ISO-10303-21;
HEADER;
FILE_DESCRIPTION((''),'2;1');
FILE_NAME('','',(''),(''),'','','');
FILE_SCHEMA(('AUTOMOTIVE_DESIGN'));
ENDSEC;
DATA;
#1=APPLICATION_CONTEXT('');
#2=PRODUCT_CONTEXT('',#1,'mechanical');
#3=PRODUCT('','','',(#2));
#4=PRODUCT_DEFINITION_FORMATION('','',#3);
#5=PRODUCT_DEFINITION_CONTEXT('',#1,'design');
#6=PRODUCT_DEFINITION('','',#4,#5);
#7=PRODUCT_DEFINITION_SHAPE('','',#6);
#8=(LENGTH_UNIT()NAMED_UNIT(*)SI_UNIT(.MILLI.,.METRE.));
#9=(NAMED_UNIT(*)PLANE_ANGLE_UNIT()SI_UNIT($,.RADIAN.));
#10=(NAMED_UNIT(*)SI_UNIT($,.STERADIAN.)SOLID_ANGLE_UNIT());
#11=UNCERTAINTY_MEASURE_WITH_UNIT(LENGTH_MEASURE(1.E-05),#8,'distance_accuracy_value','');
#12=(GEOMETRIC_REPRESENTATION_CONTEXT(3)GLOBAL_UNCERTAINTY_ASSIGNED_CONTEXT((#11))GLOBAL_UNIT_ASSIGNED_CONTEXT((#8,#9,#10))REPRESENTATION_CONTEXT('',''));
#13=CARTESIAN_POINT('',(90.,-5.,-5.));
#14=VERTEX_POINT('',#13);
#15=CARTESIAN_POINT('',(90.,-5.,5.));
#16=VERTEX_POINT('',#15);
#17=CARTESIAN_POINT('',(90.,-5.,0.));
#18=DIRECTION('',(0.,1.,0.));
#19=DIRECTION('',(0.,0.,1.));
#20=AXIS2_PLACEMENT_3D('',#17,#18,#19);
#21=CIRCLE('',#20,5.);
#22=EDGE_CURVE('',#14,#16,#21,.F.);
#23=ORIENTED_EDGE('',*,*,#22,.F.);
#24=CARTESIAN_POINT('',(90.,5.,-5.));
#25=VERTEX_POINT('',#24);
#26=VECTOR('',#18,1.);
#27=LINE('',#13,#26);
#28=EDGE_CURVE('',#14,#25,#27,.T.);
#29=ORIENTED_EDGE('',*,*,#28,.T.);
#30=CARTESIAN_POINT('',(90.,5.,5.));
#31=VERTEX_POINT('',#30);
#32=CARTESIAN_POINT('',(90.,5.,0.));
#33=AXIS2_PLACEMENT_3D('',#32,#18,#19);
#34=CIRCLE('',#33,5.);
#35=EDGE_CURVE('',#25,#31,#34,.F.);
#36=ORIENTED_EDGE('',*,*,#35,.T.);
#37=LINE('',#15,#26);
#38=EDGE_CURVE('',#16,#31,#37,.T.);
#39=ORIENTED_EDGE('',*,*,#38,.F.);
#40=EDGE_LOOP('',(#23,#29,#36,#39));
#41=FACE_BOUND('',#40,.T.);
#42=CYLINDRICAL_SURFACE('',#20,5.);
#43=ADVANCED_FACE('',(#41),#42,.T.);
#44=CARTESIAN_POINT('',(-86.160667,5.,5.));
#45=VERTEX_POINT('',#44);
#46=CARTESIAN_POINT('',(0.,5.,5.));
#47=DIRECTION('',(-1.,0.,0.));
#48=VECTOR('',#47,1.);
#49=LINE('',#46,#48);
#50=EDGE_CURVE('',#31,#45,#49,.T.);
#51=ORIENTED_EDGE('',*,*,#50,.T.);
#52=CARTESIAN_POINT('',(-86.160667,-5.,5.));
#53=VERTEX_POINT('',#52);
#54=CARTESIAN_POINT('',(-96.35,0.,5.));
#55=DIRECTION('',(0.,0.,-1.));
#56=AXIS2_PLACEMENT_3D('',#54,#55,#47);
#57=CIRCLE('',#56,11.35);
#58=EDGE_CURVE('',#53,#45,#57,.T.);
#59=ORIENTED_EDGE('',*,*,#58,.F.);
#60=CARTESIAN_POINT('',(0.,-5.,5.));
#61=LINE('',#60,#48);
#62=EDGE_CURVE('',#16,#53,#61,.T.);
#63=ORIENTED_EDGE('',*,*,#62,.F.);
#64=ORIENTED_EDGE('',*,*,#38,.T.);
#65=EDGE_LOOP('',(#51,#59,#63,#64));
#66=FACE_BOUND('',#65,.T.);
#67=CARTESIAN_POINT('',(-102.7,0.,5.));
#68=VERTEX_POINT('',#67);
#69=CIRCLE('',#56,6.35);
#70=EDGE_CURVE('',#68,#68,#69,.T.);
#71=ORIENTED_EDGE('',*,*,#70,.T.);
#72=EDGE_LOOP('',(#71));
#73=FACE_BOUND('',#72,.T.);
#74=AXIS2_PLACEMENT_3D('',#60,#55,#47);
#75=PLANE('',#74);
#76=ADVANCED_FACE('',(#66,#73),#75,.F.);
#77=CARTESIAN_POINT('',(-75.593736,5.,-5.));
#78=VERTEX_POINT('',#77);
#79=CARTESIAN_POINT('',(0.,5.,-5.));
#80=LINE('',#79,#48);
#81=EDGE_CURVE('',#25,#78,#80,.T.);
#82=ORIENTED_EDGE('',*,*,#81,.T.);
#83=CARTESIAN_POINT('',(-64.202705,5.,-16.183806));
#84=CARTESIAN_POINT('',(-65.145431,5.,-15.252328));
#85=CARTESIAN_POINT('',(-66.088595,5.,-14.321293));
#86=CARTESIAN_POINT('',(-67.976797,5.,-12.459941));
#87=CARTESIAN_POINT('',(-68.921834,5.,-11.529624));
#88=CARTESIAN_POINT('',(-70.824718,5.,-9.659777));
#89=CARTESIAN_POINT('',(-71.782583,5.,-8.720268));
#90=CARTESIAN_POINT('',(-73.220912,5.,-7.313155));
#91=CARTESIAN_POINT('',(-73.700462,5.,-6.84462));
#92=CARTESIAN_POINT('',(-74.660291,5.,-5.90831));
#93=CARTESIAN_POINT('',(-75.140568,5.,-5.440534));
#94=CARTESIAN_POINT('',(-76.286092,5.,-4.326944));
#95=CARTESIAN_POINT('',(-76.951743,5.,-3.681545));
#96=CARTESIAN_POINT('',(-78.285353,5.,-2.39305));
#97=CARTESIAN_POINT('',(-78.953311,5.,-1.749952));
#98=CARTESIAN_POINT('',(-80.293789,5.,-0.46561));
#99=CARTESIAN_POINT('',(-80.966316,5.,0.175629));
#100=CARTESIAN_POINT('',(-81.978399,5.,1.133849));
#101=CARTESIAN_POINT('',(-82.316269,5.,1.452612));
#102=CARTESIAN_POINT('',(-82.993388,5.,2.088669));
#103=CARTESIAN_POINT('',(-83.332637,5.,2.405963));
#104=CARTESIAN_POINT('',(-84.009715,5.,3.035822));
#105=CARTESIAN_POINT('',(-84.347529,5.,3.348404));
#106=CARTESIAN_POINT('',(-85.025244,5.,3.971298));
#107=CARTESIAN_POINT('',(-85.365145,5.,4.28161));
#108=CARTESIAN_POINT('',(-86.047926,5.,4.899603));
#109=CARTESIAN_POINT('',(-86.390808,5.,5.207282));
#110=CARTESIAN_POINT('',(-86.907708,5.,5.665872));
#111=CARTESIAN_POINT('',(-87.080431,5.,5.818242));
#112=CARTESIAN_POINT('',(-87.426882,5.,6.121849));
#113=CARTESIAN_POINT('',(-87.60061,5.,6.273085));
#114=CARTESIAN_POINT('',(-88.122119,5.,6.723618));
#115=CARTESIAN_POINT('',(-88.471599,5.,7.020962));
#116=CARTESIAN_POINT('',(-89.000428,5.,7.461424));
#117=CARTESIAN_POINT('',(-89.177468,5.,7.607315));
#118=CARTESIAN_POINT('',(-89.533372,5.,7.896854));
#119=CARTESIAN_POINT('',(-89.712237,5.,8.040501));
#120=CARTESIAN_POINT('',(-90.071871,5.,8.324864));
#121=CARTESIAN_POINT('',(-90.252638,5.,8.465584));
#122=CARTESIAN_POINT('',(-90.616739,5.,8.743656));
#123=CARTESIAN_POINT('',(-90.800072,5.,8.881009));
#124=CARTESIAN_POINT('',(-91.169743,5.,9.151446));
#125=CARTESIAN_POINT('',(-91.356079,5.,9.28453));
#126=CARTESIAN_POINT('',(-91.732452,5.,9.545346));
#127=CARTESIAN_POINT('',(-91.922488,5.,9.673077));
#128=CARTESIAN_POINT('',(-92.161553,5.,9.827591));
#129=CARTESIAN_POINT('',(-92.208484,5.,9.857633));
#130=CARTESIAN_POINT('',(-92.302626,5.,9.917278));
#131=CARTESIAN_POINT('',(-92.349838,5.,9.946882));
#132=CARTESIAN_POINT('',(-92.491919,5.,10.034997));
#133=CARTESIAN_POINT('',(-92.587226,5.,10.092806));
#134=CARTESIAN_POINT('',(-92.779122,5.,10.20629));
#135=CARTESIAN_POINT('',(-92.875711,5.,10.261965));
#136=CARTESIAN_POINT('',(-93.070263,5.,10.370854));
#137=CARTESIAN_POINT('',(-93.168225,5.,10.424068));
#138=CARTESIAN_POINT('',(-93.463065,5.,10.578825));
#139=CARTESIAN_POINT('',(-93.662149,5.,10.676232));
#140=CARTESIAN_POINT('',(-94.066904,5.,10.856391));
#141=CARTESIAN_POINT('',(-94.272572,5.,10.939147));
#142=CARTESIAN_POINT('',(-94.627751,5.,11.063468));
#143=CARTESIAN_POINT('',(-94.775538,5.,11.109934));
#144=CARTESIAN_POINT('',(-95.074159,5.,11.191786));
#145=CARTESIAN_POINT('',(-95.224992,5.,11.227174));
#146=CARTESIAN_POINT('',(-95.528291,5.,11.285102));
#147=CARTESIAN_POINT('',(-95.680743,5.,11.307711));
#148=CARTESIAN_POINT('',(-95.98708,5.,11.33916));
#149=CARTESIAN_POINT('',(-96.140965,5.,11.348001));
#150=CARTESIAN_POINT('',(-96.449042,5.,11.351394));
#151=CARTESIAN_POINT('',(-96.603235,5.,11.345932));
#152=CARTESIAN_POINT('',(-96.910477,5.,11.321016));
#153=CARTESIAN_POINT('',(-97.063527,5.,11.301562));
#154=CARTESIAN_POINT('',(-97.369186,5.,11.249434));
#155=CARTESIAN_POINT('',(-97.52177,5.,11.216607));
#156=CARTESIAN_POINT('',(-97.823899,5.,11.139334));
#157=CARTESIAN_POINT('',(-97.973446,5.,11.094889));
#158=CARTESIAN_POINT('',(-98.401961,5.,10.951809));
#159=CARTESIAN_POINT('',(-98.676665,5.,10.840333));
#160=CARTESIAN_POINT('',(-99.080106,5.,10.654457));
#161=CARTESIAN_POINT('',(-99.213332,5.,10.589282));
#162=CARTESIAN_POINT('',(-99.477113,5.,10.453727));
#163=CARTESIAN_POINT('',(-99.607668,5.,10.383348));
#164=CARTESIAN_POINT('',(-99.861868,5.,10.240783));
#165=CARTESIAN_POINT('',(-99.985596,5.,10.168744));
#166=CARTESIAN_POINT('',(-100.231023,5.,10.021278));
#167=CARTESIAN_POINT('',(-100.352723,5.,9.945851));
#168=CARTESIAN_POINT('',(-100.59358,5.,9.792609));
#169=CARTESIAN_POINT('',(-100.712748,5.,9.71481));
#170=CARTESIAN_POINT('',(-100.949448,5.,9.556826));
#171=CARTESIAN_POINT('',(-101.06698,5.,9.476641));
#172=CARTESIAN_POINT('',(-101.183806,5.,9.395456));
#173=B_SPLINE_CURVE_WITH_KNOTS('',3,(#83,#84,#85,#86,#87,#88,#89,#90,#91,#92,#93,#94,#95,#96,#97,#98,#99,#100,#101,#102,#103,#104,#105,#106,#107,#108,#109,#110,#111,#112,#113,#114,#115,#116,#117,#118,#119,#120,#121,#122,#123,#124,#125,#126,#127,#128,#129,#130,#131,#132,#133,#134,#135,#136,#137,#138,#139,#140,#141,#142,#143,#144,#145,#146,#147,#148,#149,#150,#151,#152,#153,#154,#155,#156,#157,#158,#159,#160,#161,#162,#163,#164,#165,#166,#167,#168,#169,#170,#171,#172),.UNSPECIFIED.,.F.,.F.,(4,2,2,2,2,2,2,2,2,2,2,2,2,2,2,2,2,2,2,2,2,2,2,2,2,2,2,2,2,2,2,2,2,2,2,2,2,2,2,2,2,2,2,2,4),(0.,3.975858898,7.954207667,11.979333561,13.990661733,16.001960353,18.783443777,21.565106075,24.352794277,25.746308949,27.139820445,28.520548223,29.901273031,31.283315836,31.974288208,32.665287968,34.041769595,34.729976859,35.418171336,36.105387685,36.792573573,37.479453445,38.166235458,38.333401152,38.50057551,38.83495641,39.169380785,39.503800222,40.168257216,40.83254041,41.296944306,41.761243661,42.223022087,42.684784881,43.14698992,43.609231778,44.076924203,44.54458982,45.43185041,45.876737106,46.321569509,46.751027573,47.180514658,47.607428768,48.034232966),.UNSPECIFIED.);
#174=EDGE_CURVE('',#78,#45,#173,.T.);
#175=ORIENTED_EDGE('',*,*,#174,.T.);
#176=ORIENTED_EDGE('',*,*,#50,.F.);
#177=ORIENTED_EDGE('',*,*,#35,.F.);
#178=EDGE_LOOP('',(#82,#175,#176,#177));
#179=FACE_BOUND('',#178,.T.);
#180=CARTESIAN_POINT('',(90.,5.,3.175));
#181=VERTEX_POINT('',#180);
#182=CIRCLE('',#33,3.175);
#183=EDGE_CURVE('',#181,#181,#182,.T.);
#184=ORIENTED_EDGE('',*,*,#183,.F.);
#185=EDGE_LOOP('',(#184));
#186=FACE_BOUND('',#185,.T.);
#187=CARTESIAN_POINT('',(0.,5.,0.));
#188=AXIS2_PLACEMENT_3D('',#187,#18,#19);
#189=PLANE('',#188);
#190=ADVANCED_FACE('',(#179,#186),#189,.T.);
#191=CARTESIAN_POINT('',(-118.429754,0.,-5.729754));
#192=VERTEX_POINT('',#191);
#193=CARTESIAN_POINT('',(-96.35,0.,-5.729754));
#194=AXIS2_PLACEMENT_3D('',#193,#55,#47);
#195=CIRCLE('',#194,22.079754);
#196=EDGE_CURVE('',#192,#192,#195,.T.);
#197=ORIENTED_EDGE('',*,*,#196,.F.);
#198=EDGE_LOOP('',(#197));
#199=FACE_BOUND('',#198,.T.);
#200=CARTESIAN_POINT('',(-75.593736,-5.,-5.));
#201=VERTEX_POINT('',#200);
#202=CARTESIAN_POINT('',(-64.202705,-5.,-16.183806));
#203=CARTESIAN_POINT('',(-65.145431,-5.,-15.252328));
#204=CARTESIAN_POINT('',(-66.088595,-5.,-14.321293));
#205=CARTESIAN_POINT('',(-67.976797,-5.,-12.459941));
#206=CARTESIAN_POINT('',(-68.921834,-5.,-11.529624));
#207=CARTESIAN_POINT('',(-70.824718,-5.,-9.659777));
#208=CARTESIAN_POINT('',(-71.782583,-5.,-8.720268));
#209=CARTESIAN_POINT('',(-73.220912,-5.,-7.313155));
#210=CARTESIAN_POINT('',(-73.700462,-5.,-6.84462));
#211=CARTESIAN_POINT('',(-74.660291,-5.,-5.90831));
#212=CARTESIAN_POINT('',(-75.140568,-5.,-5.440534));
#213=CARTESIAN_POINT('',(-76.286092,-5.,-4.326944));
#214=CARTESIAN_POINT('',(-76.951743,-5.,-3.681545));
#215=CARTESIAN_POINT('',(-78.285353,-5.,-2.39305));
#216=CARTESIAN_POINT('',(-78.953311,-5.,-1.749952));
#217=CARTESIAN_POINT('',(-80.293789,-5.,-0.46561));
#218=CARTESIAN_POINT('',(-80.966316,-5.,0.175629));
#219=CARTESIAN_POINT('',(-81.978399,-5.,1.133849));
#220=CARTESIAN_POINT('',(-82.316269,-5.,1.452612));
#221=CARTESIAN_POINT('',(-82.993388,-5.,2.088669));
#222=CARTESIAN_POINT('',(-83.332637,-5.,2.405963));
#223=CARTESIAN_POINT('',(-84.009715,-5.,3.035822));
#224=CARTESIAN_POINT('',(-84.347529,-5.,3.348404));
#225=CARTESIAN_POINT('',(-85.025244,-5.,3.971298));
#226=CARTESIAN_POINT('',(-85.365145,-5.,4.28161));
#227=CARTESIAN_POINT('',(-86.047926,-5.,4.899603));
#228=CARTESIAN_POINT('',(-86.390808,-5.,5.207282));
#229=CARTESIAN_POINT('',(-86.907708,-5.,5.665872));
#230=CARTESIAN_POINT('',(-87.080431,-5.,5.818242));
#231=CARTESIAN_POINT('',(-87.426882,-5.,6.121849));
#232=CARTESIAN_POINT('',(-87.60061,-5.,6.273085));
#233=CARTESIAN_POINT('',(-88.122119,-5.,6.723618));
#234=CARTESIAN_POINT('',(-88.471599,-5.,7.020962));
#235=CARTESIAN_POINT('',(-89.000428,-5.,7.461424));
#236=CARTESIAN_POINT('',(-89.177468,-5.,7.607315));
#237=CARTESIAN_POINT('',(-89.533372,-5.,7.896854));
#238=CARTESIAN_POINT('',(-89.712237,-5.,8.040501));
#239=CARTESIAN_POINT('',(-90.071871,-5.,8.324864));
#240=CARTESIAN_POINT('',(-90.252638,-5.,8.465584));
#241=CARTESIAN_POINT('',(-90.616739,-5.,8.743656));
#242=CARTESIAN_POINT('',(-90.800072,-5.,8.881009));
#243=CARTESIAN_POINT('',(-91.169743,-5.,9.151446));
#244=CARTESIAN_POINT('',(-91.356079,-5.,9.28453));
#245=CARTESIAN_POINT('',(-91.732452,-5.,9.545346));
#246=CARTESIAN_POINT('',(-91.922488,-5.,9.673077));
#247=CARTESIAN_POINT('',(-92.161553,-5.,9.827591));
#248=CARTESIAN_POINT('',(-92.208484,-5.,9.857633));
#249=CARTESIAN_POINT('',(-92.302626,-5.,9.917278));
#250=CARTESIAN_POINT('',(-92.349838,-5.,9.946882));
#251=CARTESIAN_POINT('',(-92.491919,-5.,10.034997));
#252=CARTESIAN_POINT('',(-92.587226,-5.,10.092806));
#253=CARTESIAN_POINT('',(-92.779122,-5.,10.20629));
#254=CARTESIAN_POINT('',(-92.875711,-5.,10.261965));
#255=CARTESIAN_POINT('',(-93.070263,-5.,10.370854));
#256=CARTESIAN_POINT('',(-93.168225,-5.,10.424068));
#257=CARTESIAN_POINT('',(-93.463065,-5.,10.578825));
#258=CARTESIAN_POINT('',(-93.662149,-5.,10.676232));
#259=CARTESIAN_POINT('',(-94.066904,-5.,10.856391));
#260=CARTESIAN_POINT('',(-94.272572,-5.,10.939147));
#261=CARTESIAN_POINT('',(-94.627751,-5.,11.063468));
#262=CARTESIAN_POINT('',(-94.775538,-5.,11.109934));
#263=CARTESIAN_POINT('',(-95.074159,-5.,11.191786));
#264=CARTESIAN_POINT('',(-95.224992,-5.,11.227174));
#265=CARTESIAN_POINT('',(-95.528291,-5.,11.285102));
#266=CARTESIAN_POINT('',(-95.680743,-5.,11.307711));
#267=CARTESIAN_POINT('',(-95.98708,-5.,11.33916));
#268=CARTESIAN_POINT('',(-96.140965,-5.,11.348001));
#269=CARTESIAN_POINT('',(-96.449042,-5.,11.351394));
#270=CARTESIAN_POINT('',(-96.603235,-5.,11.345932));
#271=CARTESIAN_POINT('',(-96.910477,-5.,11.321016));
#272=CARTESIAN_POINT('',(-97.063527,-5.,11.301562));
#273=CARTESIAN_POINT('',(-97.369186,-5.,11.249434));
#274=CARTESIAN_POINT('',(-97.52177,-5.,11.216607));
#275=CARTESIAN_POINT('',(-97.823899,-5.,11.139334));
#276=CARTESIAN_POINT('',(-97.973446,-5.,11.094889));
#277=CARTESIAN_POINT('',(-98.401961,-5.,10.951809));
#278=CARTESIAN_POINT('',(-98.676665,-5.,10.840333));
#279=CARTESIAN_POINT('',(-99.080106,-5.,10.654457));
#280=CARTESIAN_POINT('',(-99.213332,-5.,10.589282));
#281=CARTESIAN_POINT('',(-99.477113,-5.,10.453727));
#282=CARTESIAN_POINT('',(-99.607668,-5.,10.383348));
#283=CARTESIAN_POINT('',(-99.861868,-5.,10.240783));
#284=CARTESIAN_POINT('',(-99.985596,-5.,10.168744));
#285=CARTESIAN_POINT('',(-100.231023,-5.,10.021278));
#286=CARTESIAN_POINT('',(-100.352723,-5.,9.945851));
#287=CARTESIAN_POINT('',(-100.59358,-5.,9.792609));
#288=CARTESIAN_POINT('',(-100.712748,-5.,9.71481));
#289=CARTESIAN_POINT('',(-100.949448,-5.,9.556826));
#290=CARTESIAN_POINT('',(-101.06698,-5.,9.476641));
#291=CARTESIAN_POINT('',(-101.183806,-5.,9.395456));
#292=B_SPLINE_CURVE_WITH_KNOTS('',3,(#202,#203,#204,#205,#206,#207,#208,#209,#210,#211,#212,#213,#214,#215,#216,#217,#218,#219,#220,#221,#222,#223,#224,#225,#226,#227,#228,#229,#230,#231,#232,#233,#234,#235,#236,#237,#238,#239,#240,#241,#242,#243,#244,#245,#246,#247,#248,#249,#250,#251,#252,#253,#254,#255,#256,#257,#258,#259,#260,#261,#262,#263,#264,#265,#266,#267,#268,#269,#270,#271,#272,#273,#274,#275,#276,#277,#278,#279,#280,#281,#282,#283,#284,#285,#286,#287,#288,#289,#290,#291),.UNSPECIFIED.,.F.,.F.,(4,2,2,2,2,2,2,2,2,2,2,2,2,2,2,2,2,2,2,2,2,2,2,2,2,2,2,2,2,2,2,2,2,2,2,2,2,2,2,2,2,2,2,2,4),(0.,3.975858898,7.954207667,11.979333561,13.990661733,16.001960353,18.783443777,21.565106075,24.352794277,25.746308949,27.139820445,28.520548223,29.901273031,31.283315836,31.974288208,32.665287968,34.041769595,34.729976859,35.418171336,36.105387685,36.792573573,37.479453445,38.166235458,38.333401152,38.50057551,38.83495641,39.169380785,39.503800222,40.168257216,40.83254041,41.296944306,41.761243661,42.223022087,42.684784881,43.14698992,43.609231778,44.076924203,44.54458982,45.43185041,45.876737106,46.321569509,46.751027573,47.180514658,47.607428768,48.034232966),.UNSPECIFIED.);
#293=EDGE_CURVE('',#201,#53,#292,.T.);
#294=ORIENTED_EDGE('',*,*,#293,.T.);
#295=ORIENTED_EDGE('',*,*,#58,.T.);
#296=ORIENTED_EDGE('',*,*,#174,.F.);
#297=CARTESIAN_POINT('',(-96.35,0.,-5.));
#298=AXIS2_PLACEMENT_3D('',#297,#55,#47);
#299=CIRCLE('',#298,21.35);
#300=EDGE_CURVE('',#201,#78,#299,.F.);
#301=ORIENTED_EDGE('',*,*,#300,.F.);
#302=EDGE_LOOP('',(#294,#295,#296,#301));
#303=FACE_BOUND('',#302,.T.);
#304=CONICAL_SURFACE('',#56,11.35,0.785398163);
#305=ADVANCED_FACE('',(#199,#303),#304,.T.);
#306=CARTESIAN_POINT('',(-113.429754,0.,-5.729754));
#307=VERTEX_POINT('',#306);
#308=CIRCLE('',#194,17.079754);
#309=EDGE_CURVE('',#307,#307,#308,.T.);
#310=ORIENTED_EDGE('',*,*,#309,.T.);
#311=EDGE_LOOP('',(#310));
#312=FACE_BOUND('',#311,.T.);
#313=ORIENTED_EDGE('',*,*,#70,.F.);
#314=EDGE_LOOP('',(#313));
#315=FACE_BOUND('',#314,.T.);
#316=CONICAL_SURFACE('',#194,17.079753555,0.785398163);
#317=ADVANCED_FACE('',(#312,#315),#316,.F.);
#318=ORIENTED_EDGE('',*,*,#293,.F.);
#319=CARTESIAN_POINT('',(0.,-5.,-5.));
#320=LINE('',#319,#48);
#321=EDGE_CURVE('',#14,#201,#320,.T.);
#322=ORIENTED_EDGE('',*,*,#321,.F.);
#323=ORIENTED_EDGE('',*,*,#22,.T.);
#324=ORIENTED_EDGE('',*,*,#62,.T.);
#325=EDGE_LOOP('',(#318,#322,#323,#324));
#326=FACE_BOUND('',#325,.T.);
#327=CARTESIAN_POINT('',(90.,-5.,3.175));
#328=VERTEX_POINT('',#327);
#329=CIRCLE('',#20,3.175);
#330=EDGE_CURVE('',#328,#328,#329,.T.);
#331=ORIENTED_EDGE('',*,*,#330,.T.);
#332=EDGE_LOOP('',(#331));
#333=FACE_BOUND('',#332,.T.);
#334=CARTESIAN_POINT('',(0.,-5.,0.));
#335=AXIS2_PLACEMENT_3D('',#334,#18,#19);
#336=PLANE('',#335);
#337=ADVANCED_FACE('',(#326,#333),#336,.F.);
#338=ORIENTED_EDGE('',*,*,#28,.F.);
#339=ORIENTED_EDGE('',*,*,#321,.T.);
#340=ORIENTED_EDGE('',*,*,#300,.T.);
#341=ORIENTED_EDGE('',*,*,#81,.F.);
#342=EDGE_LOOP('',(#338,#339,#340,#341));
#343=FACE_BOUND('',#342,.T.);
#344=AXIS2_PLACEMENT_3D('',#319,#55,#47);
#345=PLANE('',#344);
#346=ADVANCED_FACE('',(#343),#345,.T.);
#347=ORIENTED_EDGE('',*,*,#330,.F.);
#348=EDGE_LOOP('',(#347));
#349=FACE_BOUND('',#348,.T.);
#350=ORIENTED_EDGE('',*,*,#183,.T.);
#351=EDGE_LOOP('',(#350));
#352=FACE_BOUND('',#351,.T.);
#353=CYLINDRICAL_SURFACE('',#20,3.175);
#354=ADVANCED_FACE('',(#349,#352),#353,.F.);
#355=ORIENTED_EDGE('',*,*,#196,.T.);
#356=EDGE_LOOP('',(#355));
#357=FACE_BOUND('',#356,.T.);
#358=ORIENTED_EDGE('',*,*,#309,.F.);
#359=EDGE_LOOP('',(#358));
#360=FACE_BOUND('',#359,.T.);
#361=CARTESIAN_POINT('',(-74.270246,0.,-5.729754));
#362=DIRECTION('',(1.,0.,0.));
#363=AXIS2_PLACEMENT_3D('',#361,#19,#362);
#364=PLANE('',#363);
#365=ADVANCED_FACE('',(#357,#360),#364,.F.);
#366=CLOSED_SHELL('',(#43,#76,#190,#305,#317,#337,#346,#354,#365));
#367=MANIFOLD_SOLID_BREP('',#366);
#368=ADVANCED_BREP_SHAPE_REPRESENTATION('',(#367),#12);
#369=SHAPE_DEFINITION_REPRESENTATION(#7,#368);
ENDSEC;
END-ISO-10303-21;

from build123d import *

# Parameters (mm, degrees)
BOSS_EXTRUDE2_DEPTH      = 5
BOSS_EXTRUDE2_DEPTH_BACK = 5
SKETCH1_R                = 3.175


with BuildPart() as part:
    # Sketch1 → Boss-Extrude2 (new, two sides: drawn at the far end of the back side and taken through both)
    with BuildSketch(Plane(origin=(0, 0, 0), x_dir=(1, 0, 0), z_dir=(0, 1, 0)).offset(-BOSS_EXTRUDE2_DEPTH_BACK)):
        with BuildLine():
            Line((-90, -5), (90, -5))
            ThreePointArc((90, -5), (95, 0), (90, 5))
            Line((90, 5), (-90, 5))
            Line((-90, 5), (-90, -5))
        make_face()
        with Locations((90, 0)):
            Circle(SKETCH1_R, mode=Mode.SUBTRACT)
    extrude(amount=BOSS_EXTRUDE2_DEPTH + BOSS_EXTRUDE2_DEPTH_BACK)

    # Sketch8 → Revolve3 (revolve)
    with BuildSketch(Plane(origin=(0, 0, 0), x_dir=(1, 0, 0), z_dir=(0, 1, 0))):
        Polygon((-85, -5), (-74.270246445, 5.729753555), (-79.270246445, 5.729753555), (-90, -5), align=None)
    revolve(axis=Axis((-96.35, 0, -14.166845382), (0, 0, 1)))

    # Sketch10 → Cut-Revolve3 (revolve, cut)
    with BuildSketch(Plane(origin=(0, 0, 0), x_dir=(1, 0, 0), z_dir=(0, 1, 0))):
        Polygon((-96.35, 5.729753555), (-79.270246445, 5.729753555), (-90, -5), (-96.35, -5), align=None)
    revolve(axis=Axis((-96.35, 0, -5.729753555), (0, 0, 1)), mode=Mode.SUBTRACT)


solid = part.part
